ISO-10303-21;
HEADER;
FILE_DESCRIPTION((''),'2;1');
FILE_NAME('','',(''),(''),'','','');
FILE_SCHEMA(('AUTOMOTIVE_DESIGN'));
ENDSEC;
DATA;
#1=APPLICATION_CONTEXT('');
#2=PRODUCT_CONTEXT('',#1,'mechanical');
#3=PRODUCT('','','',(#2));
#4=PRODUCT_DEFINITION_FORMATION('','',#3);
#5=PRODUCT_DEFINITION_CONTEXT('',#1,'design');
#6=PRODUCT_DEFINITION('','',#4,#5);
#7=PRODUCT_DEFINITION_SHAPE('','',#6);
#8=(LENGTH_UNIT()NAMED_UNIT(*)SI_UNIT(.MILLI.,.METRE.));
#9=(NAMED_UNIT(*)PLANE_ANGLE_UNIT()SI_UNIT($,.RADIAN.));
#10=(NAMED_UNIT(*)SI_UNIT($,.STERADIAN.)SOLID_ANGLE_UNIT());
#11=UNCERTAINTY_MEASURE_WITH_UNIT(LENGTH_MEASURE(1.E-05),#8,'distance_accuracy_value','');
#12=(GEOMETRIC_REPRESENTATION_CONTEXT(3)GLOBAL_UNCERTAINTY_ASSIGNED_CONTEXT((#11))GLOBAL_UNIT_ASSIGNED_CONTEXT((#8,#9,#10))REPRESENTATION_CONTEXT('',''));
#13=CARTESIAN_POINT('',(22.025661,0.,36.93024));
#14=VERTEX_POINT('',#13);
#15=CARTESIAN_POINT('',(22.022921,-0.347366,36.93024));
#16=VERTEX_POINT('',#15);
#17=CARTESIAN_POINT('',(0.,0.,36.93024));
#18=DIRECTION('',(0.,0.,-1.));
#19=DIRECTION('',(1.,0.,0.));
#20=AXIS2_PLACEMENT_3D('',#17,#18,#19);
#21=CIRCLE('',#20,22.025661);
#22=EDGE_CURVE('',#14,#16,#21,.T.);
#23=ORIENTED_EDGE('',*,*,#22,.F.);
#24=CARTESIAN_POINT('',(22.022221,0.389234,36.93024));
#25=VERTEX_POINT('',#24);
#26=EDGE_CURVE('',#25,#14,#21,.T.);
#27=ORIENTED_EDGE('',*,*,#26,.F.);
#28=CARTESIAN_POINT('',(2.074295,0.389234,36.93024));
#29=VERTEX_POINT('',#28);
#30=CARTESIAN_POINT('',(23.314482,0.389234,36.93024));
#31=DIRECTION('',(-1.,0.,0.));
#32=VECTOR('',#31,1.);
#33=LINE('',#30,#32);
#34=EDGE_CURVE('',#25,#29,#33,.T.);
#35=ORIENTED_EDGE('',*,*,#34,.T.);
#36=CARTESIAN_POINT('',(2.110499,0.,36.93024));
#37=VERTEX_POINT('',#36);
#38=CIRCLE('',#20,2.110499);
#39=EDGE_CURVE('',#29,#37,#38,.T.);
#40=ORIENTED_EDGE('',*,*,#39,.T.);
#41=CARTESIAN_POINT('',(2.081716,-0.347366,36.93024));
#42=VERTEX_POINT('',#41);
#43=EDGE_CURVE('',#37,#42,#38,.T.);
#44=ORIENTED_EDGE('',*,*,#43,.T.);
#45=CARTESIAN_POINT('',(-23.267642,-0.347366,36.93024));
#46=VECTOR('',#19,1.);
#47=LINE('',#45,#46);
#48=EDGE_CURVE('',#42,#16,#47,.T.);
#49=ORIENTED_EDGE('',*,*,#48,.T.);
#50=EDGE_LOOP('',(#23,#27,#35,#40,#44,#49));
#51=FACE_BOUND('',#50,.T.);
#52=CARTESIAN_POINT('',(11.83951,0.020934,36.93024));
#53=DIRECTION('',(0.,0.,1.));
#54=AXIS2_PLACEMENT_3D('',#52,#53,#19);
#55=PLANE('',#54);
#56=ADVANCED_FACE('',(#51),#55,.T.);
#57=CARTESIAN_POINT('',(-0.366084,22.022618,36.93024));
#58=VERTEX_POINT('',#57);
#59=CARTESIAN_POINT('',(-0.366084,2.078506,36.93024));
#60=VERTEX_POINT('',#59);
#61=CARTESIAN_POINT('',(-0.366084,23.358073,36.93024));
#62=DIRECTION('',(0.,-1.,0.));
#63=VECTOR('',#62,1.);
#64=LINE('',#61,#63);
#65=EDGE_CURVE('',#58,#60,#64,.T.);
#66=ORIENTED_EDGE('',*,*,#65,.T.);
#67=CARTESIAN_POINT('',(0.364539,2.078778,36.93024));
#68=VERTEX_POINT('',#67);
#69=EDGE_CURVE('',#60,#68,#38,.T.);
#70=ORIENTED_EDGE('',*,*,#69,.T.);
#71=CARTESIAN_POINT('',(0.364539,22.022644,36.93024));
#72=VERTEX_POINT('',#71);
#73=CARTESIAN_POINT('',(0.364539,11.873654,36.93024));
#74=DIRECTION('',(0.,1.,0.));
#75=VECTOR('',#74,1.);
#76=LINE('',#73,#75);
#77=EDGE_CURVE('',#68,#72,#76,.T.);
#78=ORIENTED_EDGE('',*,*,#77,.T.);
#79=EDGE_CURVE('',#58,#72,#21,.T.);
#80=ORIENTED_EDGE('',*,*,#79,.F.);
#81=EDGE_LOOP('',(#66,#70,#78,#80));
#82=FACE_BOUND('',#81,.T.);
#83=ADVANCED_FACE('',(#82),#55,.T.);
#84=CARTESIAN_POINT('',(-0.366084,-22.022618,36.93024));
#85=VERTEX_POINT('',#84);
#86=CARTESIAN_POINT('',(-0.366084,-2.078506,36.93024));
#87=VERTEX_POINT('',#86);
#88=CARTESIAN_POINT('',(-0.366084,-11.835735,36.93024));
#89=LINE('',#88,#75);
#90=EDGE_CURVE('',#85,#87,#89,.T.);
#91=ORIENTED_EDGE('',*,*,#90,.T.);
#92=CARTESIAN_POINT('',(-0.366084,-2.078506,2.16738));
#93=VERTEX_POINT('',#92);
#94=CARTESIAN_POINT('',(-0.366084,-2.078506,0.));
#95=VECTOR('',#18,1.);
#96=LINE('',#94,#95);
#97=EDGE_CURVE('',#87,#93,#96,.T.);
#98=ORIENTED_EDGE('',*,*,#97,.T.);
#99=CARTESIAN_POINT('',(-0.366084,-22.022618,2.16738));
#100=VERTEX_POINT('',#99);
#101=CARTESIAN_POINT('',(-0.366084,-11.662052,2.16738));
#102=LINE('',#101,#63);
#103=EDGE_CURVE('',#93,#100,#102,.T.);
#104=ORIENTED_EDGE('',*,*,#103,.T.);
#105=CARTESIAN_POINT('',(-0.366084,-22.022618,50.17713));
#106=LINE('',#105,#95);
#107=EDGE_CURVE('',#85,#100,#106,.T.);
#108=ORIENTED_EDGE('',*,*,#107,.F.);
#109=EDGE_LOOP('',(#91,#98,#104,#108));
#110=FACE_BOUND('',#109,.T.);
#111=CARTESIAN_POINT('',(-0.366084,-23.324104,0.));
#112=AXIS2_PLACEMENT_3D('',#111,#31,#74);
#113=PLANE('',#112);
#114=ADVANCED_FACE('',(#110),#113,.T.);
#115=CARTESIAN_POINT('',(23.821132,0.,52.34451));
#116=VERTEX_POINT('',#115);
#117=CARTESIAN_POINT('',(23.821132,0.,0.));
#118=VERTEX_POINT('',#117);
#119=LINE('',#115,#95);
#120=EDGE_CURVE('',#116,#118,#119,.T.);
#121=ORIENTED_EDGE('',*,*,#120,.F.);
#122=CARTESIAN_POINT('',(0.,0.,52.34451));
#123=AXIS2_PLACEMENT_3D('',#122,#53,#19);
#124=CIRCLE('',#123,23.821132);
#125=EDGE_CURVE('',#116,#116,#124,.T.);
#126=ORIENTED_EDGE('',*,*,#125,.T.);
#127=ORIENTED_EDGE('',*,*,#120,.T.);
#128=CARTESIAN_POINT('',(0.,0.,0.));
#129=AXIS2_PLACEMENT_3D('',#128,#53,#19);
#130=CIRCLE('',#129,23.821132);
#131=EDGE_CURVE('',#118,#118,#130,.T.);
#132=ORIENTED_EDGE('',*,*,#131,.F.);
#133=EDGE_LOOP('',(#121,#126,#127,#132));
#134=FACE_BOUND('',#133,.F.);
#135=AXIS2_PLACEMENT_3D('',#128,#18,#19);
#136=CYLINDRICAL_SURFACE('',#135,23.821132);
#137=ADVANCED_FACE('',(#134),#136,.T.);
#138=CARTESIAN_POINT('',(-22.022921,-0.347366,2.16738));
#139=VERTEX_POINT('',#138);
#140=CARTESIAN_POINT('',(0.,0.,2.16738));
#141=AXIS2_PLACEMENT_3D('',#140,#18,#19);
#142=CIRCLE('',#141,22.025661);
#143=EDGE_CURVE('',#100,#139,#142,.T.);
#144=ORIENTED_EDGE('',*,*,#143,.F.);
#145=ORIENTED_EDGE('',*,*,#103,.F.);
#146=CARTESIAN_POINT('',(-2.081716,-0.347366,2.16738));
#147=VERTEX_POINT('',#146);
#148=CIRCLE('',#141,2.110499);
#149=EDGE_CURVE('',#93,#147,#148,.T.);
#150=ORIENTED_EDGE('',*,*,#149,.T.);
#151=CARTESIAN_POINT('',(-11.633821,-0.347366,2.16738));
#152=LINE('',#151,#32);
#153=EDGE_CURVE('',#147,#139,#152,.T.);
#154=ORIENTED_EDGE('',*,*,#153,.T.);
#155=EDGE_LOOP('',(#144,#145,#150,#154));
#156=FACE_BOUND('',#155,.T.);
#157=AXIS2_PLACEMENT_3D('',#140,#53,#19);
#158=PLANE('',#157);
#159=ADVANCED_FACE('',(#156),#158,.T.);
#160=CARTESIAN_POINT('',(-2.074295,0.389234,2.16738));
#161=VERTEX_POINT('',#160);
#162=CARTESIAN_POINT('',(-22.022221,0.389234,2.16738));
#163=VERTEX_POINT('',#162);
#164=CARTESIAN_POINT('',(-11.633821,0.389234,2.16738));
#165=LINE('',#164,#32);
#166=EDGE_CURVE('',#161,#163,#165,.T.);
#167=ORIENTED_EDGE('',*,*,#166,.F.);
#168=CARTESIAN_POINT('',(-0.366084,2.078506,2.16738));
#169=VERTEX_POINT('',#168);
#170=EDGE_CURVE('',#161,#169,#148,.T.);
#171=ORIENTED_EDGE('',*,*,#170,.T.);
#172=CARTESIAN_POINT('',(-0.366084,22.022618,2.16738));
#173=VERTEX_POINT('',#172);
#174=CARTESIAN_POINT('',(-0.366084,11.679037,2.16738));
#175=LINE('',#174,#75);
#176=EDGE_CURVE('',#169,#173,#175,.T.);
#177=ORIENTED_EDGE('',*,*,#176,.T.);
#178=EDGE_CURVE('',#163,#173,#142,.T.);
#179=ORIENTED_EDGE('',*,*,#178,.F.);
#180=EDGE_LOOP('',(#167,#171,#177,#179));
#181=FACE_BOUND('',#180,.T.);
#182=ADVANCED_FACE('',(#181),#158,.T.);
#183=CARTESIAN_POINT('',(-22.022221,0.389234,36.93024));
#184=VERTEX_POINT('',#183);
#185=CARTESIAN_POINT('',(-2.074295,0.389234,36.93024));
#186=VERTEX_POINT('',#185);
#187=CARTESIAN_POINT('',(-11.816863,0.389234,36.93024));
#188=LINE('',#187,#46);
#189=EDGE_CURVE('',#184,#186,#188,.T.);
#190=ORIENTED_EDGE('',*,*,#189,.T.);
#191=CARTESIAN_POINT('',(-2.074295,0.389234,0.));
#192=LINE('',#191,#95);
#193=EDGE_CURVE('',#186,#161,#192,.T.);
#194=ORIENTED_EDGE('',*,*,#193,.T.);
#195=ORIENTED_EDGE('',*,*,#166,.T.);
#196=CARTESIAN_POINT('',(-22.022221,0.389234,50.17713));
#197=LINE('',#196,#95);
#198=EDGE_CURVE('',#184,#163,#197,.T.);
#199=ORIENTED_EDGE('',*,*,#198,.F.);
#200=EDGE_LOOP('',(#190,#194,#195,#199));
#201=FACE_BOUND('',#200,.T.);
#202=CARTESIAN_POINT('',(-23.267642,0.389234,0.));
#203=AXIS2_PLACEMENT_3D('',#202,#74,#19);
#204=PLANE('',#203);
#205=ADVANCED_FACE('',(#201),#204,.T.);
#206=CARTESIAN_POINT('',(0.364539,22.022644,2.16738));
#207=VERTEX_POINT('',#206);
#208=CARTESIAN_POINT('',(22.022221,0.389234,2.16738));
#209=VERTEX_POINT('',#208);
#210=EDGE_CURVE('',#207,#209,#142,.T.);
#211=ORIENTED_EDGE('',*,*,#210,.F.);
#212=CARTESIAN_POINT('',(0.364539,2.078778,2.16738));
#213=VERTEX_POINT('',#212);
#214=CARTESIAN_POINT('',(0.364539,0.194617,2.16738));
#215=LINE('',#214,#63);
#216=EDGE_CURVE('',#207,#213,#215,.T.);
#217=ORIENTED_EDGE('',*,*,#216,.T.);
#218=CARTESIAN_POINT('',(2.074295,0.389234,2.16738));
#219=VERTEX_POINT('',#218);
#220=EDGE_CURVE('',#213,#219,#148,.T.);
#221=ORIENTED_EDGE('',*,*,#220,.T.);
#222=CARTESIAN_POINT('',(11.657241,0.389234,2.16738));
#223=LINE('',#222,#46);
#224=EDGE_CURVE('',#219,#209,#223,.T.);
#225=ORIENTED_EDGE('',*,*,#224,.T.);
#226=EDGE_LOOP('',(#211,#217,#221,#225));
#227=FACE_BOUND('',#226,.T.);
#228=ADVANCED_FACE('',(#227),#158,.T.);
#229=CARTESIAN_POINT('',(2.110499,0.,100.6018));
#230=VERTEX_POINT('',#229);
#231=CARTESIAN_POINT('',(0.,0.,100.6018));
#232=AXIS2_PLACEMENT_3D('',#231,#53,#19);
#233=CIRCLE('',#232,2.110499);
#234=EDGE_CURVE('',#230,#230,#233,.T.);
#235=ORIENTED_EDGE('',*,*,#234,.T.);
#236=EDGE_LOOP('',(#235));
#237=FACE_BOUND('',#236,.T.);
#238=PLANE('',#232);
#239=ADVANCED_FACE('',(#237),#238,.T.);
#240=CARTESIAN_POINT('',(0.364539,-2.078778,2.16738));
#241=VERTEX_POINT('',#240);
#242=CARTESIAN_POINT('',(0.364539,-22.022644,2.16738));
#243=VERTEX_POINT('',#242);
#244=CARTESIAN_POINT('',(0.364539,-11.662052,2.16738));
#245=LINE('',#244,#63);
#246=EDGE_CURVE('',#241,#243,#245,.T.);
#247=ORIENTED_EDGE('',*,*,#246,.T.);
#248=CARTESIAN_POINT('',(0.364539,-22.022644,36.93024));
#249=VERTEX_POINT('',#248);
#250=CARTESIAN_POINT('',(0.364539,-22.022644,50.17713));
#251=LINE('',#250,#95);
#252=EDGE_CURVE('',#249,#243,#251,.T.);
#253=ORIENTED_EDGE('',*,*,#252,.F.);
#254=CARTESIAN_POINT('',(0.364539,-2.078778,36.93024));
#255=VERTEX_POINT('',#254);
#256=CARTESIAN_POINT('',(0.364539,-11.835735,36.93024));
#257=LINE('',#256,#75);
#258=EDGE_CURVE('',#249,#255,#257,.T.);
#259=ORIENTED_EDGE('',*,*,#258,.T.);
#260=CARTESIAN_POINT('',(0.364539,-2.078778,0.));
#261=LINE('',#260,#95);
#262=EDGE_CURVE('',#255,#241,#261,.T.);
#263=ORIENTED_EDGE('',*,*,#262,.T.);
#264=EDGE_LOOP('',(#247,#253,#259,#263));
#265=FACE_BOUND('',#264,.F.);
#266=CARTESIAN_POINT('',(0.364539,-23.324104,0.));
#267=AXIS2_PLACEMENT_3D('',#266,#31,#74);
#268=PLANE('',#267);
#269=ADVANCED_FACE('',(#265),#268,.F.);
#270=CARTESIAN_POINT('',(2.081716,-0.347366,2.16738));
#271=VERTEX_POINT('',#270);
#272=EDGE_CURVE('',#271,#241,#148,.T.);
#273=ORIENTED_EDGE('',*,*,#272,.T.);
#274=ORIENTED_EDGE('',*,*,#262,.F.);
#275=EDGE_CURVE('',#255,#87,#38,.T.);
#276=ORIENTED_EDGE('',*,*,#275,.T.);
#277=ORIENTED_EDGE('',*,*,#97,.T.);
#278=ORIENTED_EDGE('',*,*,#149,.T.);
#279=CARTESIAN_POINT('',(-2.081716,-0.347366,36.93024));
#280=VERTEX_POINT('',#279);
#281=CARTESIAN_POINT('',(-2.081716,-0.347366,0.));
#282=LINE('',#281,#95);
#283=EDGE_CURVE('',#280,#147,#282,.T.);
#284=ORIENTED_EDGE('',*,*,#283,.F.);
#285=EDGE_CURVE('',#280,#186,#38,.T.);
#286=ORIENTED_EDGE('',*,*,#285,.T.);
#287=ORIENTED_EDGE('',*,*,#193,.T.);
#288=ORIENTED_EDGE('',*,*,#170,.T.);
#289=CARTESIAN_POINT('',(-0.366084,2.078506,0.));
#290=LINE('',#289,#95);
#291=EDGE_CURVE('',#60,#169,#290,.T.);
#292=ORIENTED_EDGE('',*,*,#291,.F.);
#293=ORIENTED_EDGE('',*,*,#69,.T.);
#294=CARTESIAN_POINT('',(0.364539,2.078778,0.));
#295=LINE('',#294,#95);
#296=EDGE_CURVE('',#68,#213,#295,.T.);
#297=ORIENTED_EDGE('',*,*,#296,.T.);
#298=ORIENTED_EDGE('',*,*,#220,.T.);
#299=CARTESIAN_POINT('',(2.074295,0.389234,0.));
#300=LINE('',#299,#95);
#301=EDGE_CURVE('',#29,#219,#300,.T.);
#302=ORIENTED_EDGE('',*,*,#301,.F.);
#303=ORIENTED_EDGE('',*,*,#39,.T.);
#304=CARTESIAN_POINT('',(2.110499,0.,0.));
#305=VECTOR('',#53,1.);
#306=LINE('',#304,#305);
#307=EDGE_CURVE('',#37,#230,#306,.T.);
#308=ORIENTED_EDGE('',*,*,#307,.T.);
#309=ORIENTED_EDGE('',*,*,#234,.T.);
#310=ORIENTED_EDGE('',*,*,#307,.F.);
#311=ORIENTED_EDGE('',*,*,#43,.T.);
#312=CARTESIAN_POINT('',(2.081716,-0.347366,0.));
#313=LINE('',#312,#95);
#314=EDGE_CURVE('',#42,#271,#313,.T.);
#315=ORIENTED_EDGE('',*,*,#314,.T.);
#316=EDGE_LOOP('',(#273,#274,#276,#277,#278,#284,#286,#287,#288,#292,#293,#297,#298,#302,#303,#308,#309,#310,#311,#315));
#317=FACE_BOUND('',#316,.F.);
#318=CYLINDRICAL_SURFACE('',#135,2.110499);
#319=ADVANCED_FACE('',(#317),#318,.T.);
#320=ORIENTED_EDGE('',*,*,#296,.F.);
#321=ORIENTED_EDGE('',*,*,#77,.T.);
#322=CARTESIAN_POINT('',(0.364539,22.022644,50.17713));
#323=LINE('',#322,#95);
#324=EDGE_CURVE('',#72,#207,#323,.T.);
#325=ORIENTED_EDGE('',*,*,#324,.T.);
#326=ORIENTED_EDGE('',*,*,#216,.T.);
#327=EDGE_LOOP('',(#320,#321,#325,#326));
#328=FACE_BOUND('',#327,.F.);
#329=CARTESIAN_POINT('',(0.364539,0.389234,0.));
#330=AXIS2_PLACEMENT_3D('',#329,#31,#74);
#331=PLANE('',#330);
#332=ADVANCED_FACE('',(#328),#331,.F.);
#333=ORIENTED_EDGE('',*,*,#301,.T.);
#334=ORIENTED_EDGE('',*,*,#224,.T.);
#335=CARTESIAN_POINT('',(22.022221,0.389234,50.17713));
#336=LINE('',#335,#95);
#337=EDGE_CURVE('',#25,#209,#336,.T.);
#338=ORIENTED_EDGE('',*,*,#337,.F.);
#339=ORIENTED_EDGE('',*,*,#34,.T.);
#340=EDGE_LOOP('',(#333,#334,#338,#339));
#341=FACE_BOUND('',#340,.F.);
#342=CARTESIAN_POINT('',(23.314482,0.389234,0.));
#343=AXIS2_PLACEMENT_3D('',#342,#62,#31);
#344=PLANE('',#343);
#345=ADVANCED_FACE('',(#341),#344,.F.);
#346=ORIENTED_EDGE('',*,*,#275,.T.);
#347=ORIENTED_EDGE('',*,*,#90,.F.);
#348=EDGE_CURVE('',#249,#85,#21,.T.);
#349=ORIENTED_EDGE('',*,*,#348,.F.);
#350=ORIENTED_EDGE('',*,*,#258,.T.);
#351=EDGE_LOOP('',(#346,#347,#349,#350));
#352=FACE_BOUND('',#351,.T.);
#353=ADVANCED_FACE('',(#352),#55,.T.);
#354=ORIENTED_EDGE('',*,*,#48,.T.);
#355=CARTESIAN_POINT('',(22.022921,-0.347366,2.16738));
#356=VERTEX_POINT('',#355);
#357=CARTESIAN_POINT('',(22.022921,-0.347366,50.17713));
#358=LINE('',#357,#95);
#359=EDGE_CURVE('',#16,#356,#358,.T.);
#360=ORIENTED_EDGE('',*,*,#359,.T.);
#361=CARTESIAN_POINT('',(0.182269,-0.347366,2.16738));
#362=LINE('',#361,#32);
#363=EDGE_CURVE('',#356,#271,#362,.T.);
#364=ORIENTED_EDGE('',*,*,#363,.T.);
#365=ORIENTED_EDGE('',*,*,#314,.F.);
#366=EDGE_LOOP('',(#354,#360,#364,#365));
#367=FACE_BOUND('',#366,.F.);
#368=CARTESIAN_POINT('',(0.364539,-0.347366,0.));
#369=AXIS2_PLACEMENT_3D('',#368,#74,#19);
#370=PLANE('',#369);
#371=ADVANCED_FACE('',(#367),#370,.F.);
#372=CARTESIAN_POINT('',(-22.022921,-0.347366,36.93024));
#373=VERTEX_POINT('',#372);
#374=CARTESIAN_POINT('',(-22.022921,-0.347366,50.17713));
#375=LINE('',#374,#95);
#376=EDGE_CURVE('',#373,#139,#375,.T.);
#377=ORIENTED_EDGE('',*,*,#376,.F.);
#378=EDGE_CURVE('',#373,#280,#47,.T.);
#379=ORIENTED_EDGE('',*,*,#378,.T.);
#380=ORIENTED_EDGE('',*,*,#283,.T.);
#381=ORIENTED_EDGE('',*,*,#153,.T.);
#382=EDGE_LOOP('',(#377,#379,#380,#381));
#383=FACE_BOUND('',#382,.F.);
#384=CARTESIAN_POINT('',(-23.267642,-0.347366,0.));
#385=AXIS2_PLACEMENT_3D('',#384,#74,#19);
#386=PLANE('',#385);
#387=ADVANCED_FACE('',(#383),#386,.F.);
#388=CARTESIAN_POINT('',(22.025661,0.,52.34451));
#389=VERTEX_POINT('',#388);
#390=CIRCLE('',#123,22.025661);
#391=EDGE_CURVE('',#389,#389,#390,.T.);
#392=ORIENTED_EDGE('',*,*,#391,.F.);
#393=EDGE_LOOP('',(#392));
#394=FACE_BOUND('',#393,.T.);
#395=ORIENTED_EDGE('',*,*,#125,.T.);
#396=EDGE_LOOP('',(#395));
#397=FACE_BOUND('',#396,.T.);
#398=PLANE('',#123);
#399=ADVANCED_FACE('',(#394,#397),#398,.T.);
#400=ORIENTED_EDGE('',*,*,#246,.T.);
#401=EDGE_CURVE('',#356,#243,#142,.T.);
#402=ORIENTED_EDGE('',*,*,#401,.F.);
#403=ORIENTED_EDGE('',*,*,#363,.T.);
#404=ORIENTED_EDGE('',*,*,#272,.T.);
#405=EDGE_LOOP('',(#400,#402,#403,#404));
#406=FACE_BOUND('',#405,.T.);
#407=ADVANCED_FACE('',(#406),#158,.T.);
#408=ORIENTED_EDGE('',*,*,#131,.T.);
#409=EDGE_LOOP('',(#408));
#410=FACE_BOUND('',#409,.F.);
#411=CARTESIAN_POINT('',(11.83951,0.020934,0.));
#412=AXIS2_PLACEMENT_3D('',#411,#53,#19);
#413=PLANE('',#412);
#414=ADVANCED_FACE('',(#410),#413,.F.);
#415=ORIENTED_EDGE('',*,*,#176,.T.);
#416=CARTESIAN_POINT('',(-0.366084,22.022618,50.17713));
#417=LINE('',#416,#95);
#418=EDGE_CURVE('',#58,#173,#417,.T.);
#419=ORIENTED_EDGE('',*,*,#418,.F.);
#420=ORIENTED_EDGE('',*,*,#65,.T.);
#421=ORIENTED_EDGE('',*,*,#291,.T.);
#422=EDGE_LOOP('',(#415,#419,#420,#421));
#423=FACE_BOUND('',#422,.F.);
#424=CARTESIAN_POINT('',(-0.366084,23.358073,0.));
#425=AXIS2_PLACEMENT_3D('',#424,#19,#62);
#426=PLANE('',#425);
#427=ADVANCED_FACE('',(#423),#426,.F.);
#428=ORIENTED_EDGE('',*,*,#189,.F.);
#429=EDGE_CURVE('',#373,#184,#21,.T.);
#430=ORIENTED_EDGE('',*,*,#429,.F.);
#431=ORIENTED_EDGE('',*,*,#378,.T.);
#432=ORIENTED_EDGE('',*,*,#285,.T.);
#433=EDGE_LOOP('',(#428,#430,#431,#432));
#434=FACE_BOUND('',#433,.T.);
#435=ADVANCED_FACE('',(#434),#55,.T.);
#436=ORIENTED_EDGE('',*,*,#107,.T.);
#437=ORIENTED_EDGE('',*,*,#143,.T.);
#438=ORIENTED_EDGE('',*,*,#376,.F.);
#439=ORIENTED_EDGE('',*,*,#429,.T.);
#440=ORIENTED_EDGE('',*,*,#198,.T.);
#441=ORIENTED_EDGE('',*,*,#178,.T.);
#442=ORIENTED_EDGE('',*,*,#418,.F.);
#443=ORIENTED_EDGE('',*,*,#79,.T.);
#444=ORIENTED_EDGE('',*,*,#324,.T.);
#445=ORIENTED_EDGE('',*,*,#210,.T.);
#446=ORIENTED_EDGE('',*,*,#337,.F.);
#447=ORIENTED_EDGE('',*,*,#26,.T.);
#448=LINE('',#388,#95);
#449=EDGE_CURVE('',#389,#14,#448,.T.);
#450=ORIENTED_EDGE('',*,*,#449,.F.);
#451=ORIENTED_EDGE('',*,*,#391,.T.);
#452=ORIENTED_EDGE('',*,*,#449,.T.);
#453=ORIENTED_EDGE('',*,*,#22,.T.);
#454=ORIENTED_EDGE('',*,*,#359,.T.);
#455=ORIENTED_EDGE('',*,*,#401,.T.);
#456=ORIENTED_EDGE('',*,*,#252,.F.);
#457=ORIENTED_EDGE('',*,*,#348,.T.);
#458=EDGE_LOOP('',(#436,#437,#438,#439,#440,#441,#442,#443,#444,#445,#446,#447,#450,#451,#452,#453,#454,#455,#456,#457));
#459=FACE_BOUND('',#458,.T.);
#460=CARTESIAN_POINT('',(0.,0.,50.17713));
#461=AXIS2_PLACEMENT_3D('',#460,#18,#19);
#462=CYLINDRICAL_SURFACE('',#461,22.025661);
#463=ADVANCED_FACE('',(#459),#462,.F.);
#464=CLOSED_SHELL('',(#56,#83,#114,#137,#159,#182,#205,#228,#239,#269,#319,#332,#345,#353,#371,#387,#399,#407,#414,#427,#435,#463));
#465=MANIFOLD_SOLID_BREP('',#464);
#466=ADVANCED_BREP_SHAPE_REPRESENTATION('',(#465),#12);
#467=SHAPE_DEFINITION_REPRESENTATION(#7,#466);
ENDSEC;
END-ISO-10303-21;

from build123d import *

# Parameters (mm, degrees)
F0_R         = 23.8211318964
F0_R_2       = 22.0256608
F3_DEPTH     = 50.17713
F3_FACE_R    = 23.8211318964
F3_FACE_R_2  = 22.0256608
F3_FACE1_R   = 23.8211318964
F3_FACE1_R_2 = 22.0256608
F4_DEPTH     = 2.16738
F1_R         = 2.1104987
F5_DEPTH     = 100.6018
F2_W         = 22.9499428533
F2_H         = 0.7366
F2_W_2       = 0.7306225889
F2_H_2       = 22.9688390891
F2_W_3       = 22.9015578225
F2_H_3       = 22.9767380224
F6_DEPTH     = 36.93024


with BuildPart() as f3:
    # F0 (on Top) → F3 (new body)
    with BuildSketch(Plane.XY):
        Circle(F0_R)
        Circle(F0_R_2, mode=Mode.SUBTRACT)
    extrude(amount=F3_DEPTH)

    # F0 (on Top) + F3_face (on face) + F3_face1 (on face) → F4 (join)
    with BuildSketch(Plane.XY):
        Circle(F0_R)
        Circle(F0_R_2, mode=Mode.SUBTRACT)
        Circle(F0_R_2)
    with BuildSketch(Plane.XY.offset(50.17713)):
        Circle(F3_FACE_R)
        Circle(F3_FACE_R_2, mode=Mode.SUBTRACT)
    with BuildSketch(Plane(origin=(0, 0, 0), x_dir=(1, 0, 0), z_dir=(0, 0, -1))):
        Circle(F3_FACE1_R)
        Circle(F3_FACE1_R_2, mode=Mode.SUBTRACT)
    extrude(amount=F4_DEPTH, dir=(0, 0, 1))

    # F1 (on Top) → F5 (join)
    with BuildSketch(Plane.XY):
        Circle(F1_R)
    extrude(amount=F5_DEPTH)

    # F2 (on Top) → F6 (join)
    with BuildSketch(Plane.XY):
        with Locations((11.8395101745, 0.0209339964)):
            Rectangle(F2_W, F2_H)
        with Locations((-0.0007725466, 0.0209339964)):
            Rectangle(F2_W_2, F2_H)
        with Locations((-0.0007725466, 11.873653541)):
            Rectangle(F2_W_2, F2_H_2)
        with Locations((-11.8168627523, 0.0209339964)):
            Rectangle(F2_W_3, F2_H)
        with Locations((-0.0007725466, -11.8357350148)):
            Rectangle(F2_W_2, F2_H_3)
    extrude(amount=F6_DEPTH)


solid = f3.part
